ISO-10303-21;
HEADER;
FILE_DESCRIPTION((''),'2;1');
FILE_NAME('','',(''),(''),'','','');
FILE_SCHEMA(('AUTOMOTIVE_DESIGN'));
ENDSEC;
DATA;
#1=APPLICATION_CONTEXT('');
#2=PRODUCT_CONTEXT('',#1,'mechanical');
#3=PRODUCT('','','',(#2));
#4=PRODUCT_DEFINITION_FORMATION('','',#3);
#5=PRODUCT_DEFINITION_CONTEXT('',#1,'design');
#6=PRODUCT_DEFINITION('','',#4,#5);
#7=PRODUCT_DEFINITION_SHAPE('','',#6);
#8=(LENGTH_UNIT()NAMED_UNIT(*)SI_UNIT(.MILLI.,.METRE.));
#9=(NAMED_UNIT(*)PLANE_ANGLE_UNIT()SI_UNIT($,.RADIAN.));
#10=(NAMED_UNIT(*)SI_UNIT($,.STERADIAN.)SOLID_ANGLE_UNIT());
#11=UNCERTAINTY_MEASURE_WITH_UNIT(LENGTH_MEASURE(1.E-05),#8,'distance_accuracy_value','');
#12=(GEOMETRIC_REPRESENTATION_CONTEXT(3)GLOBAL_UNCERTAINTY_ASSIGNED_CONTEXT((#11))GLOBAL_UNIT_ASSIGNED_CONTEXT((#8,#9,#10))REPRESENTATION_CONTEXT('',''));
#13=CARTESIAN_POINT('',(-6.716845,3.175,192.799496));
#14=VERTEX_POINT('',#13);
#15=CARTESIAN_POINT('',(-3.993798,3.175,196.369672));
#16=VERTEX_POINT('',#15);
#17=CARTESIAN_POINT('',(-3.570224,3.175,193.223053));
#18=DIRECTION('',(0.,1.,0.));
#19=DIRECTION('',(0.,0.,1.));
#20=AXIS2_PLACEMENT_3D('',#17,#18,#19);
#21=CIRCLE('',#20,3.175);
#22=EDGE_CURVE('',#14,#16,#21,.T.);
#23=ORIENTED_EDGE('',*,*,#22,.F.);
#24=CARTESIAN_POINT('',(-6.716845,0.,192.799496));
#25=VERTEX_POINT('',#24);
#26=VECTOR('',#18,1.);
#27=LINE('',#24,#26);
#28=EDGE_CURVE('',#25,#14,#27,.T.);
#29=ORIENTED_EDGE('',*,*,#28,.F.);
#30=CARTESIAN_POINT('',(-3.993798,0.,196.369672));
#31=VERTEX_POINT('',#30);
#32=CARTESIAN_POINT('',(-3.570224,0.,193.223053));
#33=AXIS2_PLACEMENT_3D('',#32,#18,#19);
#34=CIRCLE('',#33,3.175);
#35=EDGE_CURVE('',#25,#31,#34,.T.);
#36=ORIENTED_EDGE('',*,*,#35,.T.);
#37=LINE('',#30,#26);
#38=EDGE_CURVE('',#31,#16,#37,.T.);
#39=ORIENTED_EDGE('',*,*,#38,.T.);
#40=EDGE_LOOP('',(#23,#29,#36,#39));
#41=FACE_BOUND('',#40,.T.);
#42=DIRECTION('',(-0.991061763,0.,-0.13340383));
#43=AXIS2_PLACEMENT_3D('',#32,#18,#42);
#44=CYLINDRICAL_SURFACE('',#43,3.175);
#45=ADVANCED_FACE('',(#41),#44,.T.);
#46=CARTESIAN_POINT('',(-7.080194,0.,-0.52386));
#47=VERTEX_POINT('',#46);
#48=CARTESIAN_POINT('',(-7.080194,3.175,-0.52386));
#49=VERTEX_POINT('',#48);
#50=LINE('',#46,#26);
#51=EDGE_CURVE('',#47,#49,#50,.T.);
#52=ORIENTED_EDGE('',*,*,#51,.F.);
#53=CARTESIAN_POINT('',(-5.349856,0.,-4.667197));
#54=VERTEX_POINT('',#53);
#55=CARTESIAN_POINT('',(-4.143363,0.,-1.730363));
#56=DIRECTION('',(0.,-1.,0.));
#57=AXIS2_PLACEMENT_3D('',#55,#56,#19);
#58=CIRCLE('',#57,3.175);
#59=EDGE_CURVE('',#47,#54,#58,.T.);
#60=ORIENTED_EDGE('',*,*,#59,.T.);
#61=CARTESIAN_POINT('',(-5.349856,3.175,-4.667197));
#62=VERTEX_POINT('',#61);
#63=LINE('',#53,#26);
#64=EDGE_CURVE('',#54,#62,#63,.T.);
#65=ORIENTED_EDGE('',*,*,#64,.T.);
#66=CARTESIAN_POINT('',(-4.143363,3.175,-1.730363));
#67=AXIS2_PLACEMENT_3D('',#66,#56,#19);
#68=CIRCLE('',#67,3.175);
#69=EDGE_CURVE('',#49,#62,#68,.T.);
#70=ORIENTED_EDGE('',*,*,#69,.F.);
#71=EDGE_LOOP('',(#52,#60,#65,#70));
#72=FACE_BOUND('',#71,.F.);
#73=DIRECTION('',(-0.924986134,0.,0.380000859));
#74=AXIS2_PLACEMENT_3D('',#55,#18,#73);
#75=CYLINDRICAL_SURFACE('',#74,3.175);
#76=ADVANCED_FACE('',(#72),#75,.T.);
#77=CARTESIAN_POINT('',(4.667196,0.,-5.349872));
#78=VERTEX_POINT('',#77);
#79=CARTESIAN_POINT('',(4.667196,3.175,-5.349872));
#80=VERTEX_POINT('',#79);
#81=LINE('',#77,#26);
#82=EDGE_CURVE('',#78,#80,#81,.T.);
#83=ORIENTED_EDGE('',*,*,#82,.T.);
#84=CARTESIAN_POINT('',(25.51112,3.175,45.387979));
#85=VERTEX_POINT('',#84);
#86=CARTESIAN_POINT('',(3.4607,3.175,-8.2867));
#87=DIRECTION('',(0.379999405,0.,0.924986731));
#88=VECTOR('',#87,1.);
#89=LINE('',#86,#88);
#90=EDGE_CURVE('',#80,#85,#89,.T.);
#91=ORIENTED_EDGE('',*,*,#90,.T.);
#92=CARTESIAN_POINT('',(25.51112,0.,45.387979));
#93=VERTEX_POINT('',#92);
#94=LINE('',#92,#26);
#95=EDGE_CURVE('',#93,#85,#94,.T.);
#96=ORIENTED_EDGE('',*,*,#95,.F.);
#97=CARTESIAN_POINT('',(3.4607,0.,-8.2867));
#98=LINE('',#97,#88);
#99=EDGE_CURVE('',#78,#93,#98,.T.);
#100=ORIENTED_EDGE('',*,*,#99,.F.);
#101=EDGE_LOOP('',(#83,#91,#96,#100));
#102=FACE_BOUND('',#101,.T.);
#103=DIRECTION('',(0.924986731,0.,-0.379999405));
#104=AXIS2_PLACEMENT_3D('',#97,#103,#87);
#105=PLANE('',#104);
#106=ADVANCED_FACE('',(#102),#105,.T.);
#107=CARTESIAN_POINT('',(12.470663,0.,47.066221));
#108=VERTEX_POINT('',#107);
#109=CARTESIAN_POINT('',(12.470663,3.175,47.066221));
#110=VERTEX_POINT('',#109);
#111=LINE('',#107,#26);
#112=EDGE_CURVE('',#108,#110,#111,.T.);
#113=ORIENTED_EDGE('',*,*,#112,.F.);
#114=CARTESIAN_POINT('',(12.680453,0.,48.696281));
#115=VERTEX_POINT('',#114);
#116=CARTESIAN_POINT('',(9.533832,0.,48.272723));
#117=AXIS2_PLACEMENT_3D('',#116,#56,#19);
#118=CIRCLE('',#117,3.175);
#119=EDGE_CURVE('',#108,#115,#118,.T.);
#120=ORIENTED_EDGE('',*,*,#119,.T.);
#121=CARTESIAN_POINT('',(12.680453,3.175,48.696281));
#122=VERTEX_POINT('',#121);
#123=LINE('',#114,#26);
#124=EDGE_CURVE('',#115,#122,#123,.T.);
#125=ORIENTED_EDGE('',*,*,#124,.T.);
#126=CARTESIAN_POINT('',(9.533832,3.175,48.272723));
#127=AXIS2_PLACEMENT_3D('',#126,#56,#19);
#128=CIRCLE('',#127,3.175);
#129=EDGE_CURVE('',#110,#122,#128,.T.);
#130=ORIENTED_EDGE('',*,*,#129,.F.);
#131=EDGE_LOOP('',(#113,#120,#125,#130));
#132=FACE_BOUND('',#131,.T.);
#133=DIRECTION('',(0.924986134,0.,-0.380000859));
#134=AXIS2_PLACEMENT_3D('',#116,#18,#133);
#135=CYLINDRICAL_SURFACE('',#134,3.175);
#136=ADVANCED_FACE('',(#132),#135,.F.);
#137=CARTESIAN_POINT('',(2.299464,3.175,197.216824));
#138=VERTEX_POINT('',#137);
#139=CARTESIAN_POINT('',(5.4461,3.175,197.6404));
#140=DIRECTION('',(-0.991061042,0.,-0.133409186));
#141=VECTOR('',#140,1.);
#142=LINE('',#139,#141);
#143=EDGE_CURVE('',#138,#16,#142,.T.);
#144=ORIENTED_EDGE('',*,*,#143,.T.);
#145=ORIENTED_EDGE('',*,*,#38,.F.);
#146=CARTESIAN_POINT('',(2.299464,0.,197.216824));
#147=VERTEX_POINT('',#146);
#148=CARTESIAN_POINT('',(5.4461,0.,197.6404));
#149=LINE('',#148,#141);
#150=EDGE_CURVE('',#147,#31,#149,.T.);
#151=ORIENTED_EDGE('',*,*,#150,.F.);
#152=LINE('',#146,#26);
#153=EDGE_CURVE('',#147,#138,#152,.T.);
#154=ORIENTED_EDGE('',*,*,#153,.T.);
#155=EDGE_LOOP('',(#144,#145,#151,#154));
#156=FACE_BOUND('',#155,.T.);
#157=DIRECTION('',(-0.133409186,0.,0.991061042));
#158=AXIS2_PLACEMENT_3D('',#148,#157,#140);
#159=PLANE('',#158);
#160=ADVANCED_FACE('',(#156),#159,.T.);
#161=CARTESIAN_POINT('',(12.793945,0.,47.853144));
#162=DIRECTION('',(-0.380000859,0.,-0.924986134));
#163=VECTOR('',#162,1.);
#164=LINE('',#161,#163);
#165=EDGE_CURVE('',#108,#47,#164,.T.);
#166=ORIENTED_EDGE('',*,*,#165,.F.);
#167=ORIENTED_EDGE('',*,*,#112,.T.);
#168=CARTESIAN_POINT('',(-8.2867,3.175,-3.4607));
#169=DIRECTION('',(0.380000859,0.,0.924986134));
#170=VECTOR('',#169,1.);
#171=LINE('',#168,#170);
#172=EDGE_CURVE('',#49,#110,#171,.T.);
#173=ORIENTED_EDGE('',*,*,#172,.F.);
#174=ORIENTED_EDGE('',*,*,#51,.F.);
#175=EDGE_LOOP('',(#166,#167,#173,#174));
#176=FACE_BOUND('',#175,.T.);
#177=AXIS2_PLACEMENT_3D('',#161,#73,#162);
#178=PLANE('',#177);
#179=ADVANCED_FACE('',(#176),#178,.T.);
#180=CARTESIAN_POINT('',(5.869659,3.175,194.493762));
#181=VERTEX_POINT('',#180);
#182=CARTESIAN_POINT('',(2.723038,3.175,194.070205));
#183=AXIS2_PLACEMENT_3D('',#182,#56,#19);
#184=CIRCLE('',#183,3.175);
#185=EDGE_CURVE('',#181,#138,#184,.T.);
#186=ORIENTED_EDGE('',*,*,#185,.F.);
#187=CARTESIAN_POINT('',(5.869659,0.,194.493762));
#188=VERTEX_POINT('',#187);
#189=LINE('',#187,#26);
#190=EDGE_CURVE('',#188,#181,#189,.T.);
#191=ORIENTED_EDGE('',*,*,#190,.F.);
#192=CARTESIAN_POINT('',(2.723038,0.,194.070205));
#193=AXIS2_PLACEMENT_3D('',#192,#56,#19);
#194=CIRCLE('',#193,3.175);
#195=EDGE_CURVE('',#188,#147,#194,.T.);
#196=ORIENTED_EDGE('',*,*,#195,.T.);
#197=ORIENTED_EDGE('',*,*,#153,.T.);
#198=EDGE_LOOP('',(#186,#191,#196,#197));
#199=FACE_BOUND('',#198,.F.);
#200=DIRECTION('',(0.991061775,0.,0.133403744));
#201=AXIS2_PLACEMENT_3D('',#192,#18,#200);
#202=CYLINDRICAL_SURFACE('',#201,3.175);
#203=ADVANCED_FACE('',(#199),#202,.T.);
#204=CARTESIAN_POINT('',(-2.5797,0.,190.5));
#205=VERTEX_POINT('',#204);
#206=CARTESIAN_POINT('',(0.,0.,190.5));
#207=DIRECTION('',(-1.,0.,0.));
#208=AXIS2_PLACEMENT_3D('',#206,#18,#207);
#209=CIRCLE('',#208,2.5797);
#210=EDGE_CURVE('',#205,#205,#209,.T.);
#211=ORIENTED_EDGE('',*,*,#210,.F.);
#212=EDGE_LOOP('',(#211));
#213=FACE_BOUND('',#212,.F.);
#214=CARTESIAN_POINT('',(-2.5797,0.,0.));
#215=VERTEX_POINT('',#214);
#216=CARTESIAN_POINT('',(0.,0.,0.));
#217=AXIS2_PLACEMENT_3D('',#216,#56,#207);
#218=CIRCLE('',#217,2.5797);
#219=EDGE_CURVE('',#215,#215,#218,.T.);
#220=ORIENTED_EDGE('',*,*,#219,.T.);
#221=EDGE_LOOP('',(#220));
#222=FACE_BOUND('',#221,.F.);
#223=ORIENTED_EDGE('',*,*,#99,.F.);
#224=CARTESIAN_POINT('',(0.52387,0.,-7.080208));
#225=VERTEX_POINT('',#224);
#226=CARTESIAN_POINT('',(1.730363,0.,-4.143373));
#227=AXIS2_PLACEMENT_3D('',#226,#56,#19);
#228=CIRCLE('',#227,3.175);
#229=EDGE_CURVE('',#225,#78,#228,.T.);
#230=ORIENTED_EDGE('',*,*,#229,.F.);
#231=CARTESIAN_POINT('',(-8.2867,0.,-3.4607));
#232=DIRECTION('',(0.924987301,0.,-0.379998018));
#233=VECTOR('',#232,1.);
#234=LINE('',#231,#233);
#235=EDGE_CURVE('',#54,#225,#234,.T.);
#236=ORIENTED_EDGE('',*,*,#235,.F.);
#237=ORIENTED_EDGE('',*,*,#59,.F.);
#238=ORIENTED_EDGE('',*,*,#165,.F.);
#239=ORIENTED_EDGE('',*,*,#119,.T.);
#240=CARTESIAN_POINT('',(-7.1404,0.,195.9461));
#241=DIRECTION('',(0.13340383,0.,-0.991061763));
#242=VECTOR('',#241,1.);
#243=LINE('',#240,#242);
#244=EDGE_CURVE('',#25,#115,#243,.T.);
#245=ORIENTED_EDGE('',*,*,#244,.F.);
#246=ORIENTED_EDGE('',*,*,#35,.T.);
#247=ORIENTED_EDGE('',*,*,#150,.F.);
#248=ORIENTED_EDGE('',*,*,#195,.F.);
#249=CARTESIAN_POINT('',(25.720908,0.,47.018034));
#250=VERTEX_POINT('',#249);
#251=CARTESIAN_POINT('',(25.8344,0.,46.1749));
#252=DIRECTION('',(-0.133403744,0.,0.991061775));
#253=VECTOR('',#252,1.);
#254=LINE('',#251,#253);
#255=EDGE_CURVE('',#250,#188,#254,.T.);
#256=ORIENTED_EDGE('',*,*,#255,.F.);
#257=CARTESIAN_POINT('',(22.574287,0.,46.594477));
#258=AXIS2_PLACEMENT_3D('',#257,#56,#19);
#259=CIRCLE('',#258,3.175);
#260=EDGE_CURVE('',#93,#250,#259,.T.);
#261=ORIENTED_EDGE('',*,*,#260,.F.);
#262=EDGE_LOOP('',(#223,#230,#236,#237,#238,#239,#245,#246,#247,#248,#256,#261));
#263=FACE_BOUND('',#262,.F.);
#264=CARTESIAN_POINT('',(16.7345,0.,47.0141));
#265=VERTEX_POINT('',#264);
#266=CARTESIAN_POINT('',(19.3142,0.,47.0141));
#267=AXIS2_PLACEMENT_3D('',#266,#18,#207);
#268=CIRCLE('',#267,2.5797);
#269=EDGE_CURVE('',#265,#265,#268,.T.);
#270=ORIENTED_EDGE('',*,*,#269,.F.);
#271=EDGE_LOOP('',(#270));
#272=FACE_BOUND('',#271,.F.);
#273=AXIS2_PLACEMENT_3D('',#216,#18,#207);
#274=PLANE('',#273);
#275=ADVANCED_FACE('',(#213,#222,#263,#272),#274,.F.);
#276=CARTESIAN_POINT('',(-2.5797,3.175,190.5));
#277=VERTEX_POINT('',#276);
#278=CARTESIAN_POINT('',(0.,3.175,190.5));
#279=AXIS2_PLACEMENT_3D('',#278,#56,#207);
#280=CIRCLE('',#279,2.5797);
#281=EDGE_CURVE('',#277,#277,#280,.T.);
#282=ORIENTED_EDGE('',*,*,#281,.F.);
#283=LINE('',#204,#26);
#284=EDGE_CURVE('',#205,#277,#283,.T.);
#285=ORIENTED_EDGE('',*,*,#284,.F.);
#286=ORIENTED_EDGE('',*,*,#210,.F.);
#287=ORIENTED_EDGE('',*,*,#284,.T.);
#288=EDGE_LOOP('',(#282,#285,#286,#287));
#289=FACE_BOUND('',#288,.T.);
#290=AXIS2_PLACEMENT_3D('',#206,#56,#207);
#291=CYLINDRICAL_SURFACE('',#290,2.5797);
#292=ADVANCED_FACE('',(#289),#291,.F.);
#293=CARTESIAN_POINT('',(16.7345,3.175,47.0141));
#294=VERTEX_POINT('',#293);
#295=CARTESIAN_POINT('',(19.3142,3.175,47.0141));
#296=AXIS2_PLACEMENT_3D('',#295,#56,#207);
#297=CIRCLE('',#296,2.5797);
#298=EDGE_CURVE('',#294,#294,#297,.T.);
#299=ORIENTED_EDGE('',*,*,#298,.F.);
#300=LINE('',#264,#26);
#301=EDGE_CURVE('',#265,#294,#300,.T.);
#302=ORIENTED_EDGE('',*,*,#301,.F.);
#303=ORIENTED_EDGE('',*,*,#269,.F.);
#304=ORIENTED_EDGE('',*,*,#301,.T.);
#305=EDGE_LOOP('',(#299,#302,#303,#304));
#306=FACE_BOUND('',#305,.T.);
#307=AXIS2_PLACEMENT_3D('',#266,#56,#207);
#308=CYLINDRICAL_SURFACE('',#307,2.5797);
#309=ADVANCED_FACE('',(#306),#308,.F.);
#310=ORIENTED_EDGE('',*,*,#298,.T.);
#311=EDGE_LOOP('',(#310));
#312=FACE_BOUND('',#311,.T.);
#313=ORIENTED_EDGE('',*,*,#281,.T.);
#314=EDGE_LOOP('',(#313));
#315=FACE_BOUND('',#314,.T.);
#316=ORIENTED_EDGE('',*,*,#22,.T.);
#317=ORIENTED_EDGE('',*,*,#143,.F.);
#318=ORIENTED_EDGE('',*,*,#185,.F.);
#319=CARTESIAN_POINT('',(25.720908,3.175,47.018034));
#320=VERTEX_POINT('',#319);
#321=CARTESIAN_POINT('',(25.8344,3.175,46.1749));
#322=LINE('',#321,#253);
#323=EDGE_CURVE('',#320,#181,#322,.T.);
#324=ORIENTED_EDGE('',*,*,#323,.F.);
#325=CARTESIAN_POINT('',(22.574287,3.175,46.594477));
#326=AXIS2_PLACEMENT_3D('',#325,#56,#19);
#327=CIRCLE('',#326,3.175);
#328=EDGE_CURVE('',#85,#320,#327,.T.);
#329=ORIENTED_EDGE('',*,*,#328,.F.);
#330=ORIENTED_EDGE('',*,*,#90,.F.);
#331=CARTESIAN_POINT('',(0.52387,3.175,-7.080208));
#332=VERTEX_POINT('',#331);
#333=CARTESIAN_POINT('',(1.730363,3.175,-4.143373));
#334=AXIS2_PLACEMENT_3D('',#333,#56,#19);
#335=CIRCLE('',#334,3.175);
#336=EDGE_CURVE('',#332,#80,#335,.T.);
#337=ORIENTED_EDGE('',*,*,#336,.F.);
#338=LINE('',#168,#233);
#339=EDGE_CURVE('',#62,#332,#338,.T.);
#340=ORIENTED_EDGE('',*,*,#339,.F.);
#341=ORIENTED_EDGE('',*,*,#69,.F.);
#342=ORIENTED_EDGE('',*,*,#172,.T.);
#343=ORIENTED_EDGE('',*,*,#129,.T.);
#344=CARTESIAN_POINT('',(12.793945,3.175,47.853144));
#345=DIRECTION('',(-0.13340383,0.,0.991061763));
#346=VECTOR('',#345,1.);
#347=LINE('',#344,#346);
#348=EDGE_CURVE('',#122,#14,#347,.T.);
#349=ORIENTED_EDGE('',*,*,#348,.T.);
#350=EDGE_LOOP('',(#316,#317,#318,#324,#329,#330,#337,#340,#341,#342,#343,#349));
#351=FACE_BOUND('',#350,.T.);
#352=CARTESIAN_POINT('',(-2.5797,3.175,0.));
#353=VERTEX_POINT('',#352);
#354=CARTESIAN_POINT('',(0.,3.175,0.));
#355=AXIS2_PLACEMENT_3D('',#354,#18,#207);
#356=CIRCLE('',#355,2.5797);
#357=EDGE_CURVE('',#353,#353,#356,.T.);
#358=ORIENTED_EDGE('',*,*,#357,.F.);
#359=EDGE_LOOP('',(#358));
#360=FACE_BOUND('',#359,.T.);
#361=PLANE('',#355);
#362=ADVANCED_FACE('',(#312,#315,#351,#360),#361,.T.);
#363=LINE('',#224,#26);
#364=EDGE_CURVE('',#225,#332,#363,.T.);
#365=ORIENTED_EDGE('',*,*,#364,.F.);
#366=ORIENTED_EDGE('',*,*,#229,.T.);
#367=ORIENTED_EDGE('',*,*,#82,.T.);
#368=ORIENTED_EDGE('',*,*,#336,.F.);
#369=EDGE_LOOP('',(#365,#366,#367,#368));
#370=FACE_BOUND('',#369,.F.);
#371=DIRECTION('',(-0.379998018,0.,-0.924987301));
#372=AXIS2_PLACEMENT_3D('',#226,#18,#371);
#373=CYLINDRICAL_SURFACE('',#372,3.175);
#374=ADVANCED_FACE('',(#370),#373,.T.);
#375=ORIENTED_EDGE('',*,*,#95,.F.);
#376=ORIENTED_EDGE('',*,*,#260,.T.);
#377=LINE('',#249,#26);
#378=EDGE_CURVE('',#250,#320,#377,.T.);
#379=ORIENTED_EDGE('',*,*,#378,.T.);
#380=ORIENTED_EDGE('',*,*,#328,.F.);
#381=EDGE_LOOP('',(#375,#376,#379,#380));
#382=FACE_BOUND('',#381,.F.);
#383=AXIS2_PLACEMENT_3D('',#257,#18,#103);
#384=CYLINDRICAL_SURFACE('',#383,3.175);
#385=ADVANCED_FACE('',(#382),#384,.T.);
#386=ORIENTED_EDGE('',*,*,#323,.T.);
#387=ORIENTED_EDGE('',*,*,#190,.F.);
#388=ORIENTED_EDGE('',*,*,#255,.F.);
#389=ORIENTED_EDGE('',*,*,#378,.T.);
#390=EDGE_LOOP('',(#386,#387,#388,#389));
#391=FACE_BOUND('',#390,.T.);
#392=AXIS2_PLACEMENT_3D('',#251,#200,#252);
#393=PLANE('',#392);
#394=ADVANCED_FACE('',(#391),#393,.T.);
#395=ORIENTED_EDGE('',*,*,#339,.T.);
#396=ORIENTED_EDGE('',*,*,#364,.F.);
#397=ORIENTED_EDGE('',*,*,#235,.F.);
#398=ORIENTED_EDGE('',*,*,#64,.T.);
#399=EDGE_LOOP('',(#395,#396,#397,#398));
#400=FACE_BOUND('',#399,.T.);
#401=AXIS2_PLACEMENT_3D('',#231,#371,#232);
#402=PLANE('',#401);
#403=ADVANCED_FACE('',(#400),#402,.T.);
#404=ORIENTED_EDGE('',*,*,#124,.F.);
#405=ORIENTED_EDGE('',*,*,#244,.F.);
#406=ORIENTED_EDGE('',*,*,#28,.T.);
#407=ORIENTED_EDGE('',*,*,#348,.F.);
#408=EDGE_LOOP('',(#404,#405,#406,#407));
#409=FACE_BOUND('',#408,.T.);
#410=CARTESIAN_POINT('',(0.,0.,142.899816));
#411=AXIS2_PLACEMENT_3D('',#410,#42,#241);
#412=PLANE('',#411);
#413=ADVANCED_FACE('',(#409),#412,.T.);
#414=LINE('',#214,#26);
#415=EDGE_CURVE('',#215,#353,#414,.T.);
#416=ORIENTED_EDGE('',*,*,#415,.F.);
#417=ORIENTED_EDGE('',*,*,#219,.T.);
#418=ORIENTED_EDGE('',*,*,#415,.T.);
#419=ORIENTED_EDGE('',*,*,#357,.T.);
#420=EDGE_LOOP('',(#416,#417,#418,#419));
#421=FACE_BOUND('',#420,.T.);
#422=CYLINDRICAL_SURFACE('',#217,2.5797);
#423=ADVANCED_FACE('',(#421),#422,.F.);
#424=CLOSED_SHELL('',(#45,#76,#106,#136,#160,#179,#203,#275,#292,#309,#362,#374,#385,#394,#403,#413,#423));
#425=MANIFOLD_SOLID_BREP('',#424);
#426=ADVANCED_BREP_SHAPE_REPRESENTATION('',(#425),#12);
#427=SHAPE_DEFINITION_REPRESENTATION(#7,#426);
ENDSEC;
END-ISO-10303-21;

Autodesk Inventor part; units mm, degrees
ref_plane "YZ Plane" through (0, 0, 0) normal (1, 0, 0) x (0, 1, 0)
ref_plane "XZ Plane" through (0, 0, 0) normal (0, 1, 0) x (-1, 0, 0)
ref_plane "XY Plane" through (0, 0, 0) normal (0, 0, 1) x (1, 0, 0)
sketch "Sketch1" plane through (0, 0, 0) normal (0, 1, 0) x (-1, 0, 0)
  line L0 (0, 0) -> (0, 190.5)
  line L1 (0, 190.5) -> (-19.3142, 47.0141)
  line L2 (-19.3142, 47.0141) -> (0, 0)
  line L3 (8.2867, -3.4607) -> (-3.4607, -8.2867)
  line L4 (-3.4607, -8.2867) -> (-25.8344, 46.1749)
  line L5 (-25.8344, 46.1749) -> (-14.0871, 51.0009)
  line L6 (-14.0871, 51.0009) -> (8.2867, -3.4607)
  line L7 (-5.4461, 197.6404) -> (7.1404, 195.9461)
  line L8 (7.1404, 195.9461) -> (-13.2479, 44.4807)
  line L9 (-13.2479, 44.4807) -> (-25.8344, 46.1749)
  line L10 (-25.8344, 46.1749) -> (-5.4461, 197.6404)
  circle A0 centre (0, 0) radius 2.5797
  circle A1 centre (-19.3142, 47.0141) radius 2.5797
  circle A2 centre (0, 190.5) radius 2.5797
  point P0 (0.8471, 196.7932)
  point P1 (2.413, -5.8737)
  point P2 (-12.7939, 47.8532)
  dimension "d0" = 150
  dimension "d1" = 190.5
  dimension "d2" = 144.78
  dimension "d3" = 12.7
  dimension "d4" = 5.1594
  dimension "d5" = 6.35
  dimension "d6" = 6.35
extrude "Extrusion1" add sketch "Sketch1" along normal blind 3.175 contours A0 L2 A1 L9 L8 L6 L0 | L0 L6 L3 L4 L9 A1 L2 A0 | L8 L6 L5 A1 L1 A2 L0 | L0 A2 L1 A1 L5 L10 L7 L8 | L8 L9 A1 L5 L6 | L9 L5 A1
fillet "Fillet1" radius 3.175 6 edges at (-7.1404, 1.5875, 195.9461) (5.4461, 1.5875, 197.6404) (25.8344, 1.5875, 46.1749) (12.7939, 1.5875, 47.8532) (3.4607, 1.5875, -8.2867) (-8.2867, 1.5875, -3.4607)
properties part number "PB OUT"
